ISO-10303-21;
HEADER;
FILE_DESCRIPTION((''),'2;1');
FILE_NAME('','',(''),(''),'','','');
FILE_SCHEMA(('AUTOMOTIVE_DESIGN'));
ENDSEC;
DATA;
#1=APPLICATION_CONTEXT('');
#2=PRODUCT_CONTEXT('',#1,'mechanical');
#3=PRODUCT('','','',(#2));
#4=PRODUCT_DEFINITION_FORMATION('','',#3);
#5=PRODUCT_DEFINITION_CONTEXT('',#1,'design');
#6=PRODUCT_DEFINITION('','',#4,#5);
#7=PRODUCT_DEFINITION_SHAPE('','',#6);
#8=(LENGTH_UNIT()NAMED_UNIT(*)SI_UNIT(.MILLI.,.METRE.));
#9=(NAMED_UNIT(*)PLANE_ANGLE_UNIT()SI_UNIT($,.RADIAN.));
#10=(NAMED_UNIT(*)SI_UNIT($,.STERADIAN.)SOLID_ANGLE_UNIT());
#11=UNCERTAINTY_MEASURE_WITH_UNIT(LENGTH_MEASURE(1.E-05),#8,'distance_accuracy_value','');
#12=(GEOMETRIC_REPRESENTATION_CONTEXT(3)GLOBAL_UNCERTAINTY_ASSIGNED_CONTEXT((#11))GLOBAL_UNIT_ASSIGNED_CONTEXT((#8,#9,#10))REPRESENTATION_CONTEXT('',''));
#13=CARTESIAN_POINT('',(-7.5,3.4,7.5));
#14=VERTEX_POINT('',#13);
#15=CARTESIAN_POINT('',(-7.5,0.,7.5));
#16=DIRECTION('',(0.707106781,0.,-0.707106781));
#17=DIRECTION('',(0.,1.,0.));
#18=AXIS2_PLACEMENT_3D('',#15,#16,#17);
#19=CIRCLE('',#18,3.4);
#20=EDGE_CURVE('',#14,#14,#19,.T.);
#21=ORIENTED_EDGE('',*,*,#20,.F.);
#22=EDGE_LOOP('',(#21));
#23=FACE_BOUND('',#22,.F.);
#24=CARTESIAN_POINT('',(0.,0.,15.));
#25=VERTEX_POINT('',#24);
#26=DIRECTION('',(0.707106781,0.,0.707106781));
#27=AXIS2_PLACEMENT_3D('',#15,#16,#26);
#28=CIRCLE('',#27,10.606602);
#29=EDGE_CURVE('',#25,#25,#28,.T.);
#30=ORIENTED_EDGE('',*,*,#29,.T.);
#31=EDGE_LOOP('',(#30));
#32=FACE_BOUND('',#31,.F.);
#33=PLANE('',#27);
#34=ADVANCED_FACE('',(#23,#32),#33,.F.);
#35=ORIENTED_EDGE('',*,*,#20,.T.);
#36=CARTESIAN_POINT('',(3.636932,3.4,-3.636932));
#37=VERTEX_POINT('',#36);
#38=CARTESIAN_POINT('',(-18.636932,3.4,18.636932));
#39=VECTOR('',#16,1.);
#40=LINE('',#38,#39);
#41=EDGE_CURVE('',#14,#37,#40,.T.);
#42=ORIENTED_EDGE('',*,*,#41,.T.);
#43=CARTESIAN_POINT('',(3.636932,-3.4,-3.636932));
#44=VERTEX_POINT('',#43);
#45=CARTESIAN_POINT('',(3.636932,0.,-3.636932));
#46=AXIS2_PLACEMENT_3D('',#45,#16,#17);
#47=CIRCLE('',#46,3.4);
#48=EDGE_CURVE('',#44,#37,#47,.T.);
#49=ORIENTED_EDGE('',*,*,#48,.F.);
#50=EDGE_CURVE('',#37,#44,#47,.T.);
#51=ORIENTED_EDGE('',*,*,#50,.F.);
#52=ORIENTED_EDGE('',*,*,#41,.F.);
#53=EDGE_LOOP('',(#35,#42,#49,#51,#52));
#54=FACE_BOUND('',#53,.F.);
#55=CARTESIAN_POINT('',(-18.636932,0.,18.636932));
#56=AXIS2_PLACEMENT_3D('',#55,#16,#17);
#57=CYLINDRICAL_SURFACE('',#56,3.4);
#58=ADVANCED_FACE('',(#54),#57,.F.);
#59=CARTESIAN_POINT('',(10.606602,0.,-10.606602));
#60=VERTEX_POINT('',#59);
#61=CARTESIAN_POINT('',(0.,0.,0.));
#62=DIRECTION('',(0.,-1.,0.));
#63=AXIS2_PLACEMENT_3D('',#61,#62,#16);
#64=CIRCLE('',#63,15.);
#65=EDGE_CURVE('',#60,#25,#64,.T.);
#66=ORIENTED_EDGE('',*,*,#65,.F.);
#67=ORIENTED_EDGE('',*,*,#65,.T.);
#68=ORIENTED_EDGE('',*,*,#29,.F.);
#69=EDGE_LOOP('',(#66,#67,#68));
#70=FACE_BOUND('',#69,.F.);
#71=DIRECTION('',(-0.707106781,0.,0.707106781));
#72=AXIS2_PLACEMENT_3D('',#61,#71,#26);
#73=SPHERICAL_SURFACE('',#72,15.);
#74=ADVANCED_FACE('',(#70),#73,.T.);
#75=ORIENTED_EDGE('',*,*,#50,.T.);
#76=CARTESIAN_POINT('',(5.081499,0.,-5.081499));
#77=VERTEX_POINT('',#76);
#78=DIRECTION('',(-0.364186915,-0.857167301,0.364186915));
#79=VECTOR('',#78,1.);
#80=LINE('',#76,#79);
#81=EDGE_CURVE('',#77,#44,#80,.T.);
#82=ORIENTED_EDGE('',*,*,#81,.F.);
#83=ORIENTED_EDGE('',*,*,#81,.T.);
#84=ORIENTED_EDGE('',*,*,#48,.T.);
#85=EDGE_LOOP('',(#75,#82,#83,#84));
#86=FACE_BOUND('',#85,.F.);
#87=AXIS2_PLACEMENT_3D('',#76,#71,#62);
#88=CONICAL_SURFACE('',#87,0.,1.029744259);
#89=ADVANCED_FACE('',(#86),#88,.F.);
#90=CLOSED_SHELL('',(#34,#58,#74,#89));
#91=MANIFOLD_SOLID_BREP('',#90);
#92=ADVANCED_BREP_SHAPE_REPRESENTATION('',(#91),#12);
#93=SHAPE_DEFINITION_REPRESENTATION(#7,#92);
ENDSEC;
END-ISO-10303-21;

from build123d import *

# Parameters (mm, degrees)
F3_D     = 6.8
F3_DEPTH = 15.75
F3_TIP   = 2.0429261047


with BuildPart() as f1:
    # F0 (on Front) → F1 (revolve)
    with BuildSketch(Plane.XZ):
        with BuildLine():
            Line((-7.5, 7.5), (10.6066017178, -10.6066017178))
            ThreePointArc((10.6066017178, -10.6066017178), (13.8581929877, 5.7402514855), (0, 15))
            Line((0, 15), (-7.5, 7.5))
        make_face()
    revolve(axis=Axis((1.5533008589, 0, -1.5533008589), (0.7071067812, 0, -0.7071067812)))

    # F3
    with Locations(Plane(origin=(-7.5, 0, 7.5), x_dir=(0, -1, 0), z_dir=(-0.7071067812, 0, 0.7071067812))):
        with Locations((0, 0)):
            Hole(F3_D / 2, depth=F3_DEPTH)
            with Locations((0, 0, -(F3_DEPTH + F3_TIP / 2))):  # 118° drill point
                Cone(0, F3_D / 2, F3_TIP, mode=Mode.SUBTRACT)


solid = f1.part
